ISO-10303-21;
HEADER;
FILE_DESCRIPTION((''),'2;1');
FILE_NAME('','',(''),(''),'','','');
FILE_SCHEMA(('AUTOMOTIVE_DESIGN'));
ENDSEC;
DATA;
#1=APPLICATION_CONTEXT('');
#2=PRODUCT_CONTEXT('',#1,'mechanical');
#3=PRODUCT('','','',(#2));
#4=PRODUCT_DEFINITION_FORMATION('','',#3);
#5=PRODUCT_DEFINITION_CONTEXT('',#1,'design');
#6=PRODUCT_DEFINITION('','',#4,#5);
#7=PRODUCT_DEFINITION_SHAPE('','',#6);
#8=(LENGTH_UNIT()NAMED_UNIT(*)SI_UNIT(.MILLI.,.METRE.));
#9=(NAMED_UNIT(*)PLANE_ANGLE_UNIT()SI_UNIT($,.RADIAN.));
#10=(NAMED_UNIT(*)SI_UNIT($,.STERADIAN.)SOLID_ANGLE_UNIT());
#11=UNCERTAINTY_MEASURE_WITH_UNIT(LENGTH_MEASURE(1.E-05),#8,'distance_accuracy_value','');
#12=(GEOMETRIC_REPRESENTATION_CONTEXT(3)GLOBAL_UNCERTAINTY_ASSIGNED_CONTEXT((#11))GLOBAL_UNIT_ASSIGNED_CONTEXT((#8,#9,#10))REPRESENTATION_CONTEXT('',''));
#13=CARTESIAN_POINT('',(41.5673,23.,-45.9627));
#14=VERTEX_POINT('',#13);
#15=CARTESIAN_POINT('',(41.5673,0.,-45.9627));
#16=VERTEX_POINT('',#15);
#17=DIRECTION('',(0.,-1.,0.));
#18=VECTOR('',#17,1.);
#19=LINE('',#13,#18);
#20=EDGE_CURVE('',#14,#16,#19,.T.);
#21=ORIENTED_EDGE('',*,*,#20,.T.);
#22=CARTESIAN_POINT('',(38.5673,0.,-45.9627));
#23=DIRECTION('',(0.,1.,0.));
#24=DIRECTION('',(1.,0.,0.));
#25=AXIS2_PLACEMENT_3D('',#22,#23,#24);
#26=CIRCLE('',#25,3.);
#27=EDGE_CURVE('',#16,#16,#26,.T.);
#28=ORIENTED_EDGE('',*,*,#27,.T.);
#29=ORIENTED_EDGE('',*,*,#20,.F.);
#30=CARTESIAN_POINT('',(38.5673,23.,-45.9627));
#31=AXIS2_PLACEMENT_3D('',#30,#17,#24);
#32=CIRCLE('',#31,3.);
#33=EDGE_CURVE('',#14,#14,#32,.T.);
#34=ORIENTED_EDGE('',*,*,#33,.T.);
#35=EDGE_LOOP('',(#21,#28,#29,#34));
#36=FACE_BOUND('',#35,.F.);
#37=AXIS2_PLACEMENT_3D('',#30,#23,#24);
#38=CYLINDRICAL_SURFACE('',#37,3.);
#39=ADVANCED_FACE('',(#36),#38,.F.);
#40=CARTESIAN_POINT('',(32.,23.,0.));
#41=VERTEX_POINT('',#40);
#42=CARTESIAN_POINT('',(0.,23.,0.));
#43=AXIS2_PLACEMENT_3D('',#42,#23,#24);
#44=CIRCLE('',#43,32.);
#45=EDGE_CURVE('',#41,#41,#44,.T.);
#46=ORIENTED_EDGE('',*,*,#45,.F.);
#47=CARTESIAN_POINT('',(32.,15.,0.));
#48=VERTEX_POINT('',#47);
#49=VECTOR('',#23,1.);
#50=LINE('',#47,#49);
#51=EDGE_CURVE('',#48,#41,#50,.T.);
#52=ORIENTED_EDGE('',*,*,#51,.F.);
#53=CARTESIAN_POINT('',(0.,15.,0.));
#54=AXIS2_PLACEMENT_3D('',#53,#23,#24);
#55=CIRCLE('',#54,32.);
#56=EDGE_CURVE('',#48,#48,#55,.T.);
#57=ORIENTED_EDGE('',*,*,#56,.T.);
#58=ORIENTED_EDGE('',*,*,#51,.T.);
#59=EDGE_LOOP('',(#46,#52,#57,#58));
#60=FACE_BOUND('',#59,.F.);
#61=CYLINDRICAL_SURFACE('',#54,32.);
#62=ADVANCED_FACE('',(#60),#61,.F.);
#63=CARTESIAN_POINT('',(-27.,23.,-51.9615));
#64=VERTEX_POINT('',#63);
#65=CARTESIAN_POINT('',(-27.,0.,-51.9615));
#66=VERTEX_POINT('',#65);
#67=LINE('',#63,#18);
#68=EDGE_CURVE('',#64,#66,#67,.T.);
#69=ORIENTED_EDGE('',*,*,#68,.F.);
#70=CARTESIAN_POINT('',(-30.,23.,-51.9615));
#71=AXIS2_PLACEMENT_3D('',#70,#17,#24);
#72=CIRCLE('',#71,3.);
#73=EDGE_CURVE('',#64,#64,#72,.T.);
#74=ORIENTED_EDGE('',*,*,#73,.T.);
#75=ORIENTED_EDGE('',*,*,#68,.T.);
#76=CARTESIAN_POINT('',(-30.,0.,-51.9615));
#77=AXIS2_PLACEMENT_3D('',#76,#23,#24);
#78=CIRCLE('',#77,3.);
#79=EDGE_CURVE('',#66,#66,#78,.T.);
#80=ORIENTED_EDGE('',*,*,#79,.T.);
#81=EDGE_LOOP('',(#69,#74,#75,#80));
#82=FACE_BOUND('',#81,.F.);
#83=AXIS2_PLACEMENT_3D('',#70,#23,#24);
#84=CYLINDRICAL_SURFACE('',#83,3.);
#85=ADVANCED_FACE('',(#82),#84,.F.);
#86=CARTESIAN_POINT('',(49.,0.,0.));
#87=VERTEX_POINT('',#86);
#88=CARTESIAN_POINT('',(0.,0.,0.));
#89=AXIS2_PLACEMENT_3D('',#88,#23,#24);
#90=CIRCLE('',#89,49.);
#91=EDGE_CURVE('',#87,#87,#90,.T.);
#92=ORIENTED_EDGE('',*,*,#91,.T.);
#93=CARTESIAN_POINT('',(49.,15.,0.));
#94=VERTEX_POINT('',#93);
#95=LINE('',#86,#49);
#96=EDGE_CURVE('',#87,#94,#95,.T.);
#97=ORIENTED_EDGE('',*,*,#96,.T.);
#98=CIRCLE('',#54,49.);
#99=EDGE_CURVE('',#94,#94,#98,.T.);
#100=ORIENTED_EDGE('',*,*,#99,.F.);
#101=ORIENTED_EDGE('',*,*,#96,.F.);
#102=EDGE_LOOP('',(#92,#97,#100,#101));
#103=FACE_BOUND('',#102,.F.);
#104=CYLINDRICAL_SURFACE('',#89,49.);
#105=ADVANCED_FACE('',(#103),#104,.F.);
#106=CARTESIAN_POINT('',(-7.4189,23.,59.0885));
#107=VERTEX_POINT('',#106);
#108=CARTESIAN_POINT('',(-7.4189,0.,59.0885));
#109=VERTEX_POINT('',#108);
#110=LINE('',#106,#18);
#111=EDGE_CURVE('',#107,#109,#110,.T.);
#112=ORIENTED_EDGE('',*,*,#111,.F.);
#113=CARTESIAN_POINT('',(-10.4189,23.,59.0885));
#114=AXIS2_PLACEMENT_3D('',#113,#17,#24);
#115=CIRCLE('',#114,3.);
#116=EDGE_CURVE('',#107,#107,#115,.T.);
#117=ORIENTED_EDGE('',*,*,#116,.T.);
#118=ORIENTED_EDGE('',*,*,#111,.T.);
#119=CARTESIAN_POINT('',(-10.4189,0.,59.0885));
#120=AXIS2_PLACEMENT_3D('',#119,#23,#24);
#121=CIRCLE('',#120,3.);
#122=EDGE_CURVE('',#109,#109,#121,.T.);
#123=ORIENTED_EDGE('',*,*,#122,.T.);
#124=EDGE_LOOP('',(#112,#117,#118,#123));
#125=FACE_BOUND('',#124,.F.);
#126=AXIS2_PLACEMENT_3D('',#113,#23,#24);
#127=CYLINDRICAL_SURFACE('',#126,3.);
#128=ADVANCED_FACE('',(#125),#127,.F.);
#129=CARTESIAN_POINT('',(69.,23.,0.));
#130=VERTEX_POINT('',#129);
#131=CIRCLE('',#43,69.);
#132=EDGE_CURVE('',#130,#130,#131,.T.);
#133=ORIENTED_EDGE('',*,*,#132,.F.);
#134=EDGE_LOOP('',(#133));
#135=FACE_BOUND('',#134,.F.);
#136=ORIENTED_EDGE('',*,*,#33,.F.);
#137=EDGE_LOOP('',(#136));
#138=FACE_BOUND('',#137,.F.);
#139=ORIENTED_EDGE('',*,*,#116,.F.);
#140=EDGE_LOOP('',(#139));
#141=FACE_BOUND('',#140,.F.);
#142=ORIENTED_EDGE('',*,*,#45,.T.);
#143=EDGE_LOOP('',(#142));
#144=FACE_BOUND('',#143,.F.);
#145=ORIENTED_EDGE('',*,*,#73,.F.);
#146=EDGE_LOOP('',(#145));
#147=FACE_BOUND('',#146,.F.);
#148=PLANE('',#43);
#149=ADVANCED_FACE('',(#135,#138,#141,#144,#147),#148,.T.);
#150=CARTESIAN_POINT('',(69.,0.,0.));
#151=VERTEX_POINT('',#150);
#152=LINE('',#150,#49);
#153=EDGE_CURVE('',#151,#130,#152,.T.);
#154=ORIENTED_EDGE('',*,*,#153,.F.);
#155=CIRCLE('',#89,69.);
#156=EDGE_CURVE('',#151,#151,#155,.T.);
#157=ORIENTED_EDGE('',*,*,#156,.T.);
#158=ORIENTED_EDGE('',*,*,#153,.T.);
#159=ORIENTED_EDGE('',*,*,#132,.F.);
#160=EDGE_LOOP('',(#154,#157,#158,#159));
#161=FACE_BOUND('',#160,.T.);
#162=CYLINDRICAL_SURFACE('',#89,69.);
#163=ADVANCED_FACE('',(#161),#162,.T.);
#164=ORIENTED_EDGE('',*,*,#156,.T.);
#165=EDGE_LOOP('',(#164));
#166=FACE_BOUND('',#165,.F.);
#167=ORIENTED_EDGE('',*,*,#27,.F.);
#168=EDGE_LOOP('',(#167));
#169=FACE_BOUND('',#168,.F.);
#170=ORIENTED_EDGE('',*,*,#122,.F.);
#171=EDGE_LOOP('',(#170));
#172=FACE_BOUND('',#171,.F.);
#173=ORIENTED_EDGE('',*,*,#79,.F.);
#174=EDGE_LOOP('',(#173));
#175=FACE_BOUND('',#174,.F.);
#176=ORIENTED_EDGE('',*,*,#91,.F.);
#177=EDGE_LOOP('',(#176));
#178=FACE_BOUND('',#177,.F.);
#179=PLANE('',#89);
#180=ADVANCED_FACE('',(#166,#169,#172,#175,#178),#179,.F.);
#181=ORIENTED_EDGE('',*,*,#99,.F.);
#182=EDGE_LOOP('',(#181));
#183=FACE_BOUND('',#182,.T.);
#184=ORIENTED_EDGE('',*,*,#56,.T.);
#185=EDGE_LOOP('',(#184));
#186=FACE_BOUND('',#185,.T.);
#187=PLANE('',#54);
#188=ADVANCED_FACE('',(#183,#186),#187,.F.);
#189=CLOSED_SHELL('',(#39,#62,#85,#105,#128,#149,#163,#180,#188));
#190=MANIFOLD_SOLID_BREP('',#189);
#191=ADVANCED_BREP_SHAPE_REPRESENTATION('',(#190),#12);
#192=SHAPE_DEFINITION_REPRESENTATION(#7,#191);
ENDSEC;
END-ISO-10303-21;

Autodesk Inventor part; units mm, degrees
ref_plane "YZ Plane" through (0, 0, 0) normal (1, 0, 0) x (0, 1, 0)
ref_plane "XZ Plane" through (0, 0, 0) normal (0, 1, 0) x (-1, 0, 0)
ref_plane "XY Plane" through (0, 0, 0) normal (0, 0, 1) x (1, 0, 0)
sketch "Эскиз1" plane through (0, 0, 0) normal (0, 0, 1) x (1, 0, 0)
  line L0 (0, 0) -> (0, 20)
  line L1 (69, 0) -> (49, 0)
  line L2 (49, 0) -> (49, 15)
  line L3 (32, 20) -> (32, 15)
  line L4 (32, 15) -> (32, 23)
  line L5 (32, 23) -> (69, 23)
  line L6 (69, 0) -> (69, 23)
  line L7 (32, 15) -> (49, 15)
  dimension "d2" = 20
  dimension "d3" = 15
  dimension "d4" = 32
  dimension "d6" = 8
  dimension "d7" = 17
revolve "Вращение1" add sketch "Эскиз1" angle 360 about axis through (0, 0, 0) along (0, 1, 0)
sketch "Эскиз2" plane through (0, 23, 0) normal (0, 1, 0) x (1, 0, 0)
  circle A0 centre (0, 0) radius 32 projected
  circle A1 centre (0, 0) radius 69 projected
  line L0 (0, 0) -> (38.5673, 45.9627)
  line L1 (0, 0) -> (60, 0) construction
  circle A2 centre (38.5673, 45.9627) radius 3
  line L2 (0, 0) -> (-30, 51.9615)
  line L3 (0, 0) -> (60, 0) construction
  circle A3 centre (-30, 51.9615) radius 3
  line L4 (0, 0) -> (-10.4189, -59.0885)
  line L5 (0, 0) -> (60, 0) construction
  circle A4 centre (-10.4189, -59.0885) radius 3
  dimension "d8" = 60
  dimension "d9" = 50
  dimension "d10" = 6
  dimension "d11" = 60
  dimension "d12" = 120
  dimension "d13" = 6
  dimension "d14" = 60
  dimension "d15" = 100
  dimension "d16" = 6
extrude "Выдавливание1" cut sketch "Эскиз2" against normal through all contours A4 | A3 | A2
properties part number "Корпус сальника_CPY" material "Чугун, серый"
